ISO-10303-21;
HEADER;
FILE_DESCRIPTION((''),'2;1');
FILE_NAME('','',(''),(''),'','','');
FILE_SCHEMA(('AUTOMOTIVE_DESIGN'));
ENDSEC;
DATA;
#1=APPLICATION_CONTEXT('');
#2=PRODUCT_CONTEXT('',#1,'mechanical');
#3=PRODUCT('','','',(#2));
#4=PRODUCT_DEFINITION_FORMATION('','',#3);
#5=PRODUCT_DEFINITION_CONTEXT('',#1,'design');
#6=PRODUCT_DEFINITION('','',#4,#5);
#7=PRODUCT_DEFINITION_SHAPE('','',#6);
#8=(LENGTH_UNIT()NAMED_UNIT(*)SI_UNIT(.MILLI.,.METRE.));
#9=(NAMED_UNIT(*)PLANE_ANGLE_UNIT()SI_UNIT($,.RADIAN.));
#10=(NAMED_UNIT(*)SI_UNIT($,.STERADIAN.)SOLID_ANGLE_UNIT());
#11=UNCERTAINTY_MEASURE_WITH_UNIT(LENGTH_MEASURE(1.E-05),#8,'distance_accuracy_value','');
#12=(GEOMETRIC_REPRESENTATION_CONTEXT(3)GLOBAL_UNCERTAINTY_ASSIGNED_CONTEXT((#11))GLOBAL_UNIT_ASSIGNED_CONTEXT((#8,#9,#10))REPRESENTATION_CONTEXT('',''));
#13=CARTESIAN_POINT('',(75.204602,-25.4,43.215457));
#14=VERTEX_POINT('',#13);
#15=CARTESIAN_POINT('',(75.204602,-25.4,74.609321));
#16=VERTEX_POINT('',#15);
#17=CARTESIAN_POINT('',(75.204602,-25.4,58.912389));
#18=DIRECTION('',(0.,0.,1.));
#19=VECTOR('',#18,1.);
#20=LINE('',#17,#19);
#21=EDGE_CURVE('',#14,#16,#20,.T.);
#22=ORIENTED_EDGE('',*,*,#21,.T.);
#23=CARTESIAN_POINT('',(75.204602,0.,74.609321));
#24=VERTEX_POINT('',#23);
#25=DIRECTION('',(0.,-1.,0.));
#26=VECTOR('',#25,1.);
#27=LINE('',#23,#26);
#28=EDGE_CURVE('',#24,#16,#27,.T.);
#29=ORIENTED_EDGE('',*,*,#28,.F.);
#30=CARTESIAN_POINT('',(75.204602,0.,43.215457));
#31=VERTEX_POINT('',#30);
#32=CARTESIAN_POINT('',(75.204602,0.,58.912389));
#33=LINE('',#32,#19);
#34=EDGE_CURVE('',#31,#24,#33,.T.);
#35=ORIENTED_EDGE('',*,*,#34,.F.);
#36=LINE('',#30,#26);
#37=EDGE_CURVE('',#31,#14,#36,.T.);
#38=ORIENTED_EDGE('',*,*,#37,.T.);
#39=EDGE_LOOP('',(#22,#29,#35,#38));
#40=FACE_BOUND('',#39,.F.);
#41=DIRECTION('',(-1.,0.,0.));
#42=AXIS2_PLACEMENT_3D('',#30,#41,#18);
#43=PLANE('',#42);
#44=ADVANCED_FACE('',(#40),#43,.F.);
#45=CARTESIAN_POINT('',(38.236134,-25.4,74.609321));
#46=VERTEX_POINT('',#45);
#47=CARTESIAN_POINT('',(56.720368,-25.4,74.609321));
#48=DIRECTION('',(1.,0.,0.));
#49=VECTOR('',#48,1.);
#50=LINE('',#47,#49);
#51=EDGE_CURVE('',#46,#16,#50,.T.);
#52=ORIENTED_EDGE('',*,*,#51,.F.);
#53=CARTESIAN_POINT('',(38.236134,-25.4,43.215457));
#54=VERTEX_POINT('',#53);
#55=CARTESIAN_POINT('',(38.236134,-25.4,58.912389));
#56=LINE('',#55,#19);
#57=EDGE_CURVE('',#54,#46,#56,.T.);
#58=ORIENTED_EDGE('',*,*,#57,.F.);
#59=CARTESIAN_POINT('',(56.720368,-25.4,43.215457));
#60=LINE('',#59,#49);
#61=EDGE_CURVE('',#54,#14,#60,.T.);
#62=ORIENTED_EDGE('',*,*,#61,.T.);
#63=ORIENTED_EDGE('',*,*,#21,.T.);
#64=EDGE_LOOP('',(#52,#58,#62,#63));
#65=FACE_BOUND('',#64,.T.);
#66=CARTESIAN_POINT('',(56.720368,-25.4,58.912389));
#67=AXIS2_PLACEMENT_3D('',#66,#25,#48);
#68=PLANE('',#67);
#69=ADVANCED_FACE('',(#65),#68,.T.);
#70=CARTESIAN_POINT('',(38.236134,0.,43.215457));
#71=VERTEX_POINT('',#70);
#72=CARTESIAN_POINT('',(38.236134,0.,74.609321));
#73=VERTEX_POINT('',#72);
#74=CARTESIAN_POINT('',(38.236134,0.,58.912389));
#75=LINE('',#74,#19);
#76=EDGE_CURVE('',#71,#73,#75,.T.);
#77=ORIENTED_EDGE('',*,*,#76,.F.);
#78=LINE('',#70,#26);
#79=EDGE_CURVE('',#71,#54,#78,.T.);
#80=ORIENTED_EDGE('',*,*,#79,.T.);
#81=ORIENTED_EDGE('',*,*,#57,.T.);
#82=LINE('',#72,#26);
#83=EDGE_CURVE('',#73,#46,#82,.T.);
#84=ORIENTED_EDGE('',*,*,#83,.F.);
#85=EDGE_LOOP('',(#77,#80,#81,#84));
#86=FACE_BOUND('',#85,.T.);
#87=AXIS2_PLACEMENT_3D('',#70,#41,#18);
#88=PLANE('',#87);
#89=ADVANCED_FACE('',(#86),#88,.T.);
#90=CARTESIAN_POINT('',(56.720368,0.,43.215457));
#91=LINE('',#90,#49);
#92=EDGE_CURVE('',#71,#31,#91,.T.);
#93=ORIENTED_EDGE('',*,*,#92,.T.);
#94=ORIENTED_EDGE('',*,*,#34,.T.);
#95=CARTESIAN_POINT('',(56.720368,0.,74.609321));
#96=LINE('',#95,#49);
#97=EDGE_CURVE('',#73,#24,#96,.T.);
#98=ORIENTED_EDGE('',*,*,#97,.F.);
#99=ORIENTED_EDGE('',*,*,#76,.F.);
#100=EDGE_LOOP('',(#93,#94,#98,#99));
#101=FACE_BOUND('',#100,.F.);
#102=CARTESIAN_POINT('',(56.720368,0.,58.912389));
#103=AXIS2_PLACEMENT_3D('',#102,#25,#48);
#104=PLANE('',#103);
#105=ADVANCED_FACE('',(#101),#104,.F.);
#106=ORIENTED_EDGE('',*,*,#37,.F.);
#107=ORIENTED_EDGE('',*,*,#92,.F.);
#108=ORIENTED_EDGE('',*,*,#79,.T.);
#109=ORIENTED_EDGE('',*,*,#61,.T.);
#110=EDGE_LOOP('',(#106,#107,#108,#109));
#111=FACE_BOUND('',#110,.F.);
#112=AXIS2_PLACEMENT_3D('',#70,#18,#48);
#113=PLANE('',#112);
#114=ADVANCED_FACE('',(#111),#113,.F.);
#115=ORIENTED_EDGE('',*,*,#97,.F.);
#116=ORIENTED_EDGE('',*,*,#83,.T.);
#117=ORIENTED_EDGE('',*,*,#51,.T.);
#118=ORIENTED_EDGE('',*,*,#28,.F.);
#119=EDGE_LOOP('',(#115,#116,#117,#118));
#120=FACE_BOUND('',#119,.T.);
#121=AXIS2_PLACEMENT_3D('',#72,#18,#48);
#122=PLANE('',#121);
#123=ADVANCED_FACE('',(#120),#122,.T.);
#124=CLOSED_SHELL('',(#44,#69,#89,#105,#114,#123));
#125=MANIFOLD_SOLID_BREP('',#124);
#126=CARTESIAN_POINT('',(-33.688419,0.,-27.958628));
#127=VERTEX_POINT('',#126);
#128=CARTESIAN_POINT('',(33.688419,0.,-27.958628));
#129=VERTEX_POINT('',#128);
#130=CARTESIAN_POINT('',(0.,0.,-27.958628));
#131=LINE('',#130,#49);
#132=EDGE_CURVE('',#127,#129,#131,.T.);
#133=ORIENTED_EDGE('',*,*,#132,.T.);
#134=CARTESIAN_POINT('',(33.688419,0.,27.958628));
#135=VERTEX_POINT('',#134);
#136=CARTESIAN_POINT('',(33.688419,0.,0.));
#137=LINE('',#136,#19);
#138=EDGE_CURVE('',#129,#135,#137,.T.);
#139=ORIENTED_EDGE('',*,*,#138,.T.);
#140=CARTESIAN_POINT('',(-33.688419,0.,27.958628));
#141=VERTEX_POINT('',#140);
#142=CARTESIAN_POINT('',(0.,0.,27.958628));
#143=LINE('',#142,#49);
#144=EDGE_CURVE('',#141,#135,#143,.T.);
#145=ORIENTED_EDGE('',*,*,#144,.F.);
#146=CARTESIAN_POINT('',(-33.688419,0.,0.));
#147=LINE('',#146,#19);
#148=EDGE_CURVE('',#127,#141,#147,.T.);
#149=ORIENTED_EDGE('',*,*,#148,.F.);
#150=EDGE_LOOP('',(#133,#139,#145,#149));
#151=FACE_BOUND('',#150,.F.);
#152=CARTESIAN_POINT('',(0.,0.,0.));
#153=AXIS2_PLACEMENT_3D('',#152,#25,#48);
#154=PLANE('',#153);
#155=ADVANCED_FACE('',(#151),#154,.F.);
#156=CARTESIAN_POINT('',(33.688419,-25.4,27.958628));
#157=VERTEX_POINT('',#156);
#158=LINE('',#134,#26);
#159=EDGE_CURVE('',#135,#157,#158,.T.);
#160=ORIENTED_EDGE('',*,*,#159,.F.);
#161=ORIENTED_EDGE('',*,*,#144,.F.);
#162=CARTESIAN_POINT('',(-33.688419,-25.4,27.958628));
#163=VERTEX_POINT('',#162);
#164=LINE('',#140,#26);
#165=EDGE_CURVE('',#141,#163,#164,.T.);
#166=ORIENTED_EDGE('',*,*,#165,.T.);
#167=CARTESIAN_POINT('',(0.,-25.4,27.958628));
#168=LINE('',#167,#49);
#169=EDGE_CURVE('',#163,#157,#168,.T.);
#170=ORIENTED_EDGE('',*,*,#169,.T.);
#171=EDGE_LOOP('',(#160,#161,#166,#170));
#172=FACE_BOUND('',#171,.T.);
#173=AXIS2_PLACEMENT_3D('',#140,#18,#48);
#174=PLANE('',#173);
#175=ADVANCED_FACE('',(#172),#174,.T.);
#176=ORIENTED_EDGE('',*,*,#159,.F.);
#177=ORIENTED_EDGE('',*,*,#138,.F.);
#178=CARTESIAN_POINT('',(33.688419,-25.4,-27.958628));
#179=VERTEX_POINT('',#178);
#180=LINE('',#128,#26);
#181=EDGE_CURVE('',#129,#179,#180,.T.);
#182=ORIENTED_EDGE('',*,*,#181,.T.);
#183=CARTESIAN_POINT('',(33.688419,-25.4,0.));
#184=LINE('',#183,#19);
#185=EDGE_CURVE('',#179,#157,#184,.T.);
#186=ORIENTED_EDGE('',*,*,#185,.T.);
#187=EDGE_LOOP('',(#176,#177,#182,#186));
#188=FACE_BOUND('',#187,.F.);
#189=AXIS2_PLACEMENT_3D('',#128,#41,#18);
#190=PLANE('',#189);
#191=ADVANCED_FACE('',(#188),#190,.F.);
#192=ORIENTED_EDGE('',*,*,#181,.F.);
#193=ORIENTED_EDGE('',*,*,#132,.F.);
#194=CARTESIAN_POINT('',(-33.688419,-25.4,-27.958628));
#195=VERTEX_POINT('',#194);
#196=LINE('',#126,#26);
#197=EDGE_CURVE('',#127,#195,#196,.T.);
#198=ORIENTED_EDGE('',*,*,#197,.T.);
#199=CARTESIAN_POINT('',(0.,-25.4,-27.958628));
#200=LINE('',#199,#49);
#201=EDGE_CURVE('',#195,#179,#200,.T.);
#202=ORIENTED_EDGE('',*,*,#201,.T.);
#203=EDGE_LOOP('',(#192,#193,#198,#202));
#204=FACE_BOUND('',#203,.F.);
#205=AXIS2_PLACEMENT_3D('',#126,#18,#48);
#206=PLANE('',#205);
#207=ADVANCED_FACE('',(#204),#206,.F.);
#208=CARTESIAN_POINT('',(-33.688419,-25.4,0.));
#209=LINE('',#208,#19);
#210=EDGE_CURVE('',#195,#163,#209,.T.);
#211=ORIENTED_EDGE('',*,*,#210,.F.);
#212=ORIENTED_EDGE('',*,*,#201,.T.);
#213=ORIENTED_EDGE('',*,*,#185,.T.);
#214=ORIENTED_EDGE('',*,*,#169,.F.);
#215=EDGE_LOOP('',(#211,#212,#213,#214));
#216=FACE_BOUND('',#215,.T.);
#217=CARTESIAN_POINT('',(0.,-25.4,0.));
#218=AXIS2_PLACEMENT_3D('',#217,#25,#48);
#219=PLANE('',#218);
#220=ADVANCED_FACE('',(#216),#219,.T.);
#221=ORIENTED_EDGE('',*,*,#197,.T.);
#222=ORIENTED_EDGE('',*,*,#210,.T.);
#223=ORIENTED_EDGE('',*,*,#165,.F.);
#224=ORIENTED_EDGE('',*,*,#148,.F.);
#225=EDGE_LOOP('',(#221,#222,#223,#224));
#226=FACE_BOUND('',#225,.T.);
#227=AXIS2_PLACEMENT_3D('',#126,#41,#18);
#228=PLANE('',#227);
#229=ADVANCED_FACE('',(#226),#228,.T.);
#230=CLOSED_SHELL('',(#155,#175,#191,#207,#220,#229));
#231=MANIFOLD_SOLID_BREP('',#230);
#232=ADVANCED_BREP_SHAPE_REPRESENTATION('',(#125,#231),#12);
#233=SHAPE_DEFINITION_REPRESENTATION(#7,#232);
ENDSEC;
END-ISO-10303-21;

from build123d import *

# Parameters (mm, degrees)
F0_W     = 67.376838
F0_H     = 55.917256
F1_W     = 36.968469
F1_H     = 31.393864
F2_DEPTH = 25.4


with BuildPart() as f2:
    # F0 (on Front) + F1 (on Front) → F2 (new body)
    with BuildSketch(Plane.XZ):
        Rectangle(F0_W, F0_H)
    with BuildSketch(Plane.XZ):
        with Locations((56.720368, 58.912389)):
            Rectangle(F1_W, F1_H)
    extrude(amount=F2_DEPTH)


solid = f2.part
